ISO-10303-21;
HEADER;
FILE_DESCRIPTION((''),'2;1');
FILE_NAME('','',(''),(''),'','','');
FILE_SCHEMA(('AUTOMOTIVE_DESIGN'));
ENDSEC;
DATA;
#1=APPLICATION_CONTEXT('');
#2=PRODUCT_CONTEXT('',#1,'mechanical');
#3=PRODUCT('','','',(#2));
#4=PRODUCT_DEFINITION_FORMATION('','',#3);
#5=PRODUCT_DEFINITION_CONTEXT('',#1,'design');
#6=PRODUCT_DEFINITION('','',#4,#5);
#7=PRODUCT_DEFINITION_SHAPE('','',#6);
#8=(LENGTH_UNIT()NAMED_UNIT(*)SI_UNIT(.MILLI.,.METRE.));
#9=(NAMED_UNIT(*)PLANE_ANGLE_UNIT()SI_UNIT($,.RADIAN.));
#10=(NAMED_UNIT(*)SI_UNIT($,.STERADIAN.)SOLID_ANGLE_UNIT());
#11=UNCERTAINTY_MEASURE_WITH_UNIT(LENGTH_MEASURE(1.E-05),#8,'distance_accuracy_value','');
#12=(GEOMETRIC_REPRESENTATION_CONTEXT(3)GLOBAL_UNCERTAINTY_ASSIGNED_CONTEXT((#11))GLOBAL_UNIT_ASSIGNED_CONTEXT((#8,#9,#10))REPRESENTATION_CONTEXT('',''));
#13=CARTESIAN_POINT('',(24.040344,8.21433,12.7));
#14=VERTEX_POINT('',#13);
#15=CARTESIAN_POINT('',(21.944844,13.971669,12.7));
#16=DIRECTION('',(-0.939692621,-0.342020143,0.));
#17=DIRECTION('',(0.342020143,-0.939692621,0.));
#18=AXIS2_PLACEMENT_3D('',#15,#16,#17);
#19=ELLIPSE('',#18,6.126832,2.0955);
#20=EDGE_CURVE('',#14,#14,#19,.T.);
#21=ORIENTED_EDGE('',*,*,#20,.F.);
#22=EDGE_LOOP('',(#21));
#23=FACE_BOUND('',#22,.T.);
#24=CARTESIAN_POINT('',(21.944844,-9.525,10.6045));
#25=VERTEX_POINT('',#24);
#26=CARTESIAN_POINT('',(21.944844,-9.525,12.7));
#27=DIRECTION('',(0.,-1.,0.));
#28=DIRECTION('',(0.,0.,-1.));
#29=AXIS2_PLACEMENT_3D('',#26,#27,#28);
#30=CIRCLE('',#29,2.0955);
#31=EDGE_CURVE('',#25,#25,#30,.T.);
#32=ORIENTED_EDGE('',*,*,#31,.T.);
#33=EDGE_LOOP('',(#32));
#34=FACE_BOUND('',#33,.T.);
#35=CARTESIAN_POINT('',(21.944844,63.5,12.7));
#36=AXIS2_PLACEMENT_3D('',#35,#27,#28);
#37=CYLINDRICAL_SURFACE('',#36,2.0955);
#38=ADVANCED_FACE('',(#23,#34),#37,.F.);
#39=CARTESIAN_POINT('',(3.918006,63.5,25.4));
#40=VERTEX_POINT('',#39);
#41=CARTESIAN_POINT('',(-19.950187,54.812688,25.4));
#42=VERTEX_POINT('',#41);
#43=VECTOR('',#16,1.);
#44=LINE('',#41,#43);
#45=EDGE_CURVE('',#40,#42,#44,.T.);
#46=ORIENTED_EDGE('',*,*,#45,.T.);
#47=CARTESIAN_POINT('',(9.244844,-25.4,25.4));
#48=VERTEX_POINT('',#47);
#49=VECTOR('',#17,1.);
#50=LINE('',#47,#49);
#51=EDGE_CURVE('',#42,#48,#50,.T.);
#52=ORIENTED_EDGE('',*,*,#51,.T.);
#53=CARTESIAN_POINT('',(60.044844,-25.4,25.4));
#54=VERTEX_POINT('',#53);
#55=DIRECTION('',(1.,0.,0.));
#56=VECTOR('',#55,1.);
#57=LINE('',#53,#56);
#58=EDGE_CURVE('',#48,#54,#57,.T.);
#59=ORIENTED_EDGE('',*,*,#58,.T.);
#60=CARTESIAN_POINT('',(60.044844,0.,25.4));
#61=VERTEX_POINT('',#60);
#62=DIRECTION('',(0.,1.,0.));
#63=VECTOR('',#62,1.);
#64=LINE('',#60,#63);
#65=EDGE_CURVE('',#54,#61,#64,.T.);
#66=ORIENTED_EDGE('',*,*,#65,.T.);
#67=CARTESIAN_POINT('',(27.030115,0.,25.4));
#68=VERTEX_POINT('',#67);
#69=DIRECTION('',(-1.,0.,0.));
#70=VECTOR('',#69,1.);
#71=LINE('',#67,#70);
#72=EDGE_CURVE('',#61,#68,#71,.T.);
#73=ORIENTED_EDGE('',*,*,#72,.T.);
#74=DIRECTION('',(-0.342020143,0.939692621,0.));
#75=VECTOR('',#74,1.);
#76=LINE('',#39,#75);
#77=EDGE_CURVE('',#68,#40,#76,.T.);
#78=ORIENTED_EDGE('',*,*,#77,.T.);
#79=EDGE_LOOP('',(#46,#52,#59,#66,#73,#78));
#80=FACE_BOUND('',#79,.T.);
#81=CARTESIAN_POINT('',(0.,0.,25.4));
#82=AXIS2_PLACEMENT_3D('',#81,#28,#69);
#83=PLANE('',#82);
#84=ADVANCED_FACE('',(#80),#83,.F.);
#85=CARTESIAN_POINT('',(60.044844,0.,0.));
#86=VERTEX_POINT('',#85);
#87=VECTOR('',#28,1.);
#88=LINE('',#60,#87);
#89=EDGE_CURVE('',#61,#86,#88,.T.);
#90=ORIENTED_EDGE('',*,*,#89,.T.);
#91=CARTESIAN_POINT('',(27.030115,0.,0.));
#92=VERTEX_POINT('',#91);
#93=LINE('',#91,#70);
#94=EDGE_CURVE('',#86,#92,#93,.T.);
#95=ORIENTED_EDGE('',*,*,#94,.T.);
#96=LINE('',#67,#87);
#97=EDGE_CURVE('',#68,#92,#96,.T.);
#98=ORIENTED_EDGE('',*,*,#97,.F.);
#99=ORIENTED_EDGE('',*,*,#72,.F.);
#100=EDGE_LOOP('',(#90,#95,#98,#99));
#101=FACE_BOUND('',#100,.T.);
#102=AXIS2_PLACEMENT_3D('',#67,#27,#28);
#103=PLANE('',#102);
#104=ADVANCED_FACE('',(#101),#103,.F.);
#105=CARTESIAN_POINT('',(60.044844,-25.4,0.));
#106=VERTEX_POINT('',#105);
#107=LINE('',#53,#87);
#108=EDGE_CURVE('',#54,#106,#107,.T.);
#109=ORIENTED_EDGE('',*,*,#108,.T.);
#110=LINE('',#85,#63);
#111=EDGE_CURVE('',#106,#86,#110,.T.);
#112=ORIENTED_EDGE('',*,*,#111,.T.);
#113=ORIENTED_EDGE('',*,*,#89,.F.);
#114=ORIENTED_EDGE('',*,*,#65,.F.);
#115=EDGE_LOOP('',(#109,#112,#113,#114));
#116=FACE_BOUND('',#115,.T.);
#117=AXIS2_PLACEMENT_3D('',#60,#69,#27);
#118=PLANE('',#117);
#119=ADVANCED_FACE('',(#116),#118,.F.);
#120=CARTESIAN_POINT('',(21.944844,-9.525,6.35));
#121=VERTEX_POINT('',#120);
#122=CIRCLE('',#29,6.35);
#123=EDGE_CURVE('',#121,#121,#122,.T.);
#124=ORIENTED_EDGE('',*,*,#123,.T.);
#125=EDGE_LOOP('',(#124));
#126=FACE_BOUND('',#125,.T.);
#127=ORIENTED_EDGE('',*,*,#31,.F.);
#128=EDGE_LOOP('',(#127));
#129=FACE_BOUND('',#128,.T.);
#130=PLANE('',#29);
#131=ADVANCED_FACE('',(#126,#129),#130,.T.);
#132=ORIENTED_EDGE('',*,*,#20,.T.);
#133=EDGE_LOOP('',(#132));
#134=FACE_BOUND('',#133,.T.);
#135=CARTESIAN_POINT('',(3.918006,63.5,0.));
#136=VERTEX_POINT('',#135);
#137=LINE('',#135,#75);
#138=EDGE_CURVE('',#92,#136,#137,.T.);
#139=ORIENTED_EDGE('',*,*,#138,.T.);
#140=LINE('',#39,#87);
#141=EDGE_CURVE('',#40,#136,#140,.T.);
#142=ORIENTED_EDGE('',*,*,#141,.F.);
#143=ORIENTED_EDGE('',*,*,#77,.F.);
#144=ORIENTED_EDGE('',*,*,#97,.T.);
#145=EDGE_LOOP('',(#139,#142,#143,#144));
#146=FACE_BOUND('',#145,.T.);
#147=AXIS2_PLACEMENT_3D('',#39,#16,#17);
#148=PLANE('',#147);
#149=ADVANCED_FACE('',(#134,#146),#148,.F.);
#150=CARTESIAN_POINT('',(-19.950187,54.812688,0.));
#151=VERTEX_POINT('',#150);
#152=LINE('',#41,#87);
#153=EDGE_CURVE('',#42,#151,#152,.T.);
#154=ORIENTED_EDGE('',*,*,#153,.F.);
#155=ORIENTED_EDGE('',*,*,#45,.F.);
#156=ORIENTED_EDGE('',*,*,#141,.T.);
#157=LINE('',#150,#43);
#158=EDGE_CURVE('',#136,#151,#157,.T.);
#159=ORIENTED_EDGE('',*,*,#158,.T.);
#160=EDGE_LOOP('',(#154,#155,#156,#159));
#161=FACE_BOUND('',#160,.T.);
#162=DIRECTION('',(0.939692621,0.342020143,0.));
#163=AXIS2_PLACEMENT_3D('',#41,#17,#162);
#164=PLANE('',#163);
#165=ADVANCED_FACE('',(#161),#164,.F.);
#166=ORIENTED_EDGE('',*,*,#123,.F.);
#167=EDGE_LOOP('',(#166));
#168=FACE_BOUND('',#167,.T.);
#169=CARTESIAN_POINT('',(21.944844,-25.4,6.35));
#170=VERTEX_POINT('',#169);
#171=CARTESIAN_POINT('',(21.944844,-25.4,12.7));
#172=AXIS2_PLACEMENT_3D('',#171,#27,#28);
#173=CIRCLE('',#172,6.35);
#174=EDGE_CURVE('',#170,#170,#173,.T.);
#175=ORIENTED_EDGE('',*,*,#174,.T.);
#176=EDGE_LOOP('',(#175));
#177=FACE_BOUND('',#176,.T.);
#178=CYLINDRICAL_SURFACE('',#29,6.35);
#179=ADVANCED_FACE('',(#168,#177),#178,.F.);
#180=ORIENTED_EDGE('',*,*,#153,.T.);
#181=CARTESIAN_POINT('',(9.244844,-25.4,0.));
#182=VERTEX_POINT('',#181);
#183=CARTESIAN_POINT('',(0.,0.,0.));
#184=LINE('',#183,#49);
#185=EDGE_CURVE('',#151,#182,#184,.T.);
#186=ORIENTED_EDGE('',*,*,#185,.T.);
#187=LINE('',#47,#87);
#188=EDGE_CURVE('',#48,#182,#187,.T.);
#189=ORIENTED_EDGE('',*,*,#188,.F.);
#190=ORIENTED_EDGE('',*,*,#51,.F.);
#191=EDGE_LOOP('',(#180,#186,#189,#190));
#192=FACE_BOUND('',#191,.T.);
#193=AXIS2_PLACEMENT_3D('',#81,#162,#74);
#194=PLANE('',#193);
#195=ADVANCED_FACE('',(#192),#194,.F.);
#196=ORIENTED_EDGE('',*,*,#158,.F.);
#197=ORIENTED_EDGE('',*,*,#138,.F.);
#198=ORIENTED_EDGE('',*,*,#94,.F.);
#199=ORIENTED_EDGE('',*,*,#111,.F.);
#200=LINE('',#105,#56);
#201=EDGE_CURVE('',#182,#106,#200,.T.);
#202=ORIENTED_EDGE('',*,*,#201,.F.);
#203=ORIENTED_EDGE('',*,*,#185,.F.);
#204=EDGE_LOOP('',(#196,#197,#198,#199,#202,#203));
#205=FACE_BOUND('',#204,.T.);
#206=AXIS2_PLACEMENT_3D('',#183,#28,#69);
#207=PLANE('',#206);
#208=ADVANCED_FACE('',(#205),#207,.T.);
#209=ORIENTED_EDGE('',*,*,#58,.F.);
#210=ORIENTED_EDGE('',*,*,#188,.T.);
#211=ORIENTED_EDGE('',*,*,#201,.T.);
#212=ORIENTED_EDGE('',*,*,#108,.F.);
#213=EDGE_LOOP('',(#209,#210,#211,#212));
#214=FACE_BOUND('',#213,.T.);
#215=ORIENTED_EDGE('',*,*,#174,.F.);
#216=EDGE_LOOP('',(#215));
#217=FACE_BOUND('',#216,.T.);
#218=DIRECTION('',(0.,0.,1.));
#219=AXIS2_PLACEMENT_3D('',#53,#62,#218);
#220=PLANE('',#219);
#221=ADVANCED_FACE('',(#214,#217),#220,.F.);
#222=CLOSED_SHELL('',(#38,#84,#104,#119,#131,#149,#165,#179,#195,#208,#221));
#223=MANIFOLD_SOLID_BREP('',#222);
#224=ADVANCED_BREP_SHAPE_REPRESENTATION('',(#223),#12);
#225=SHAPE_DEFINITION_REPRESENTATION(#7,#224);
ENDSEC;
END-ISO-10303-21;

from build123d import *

# Parameters (mm, degrees)
BOSS_EXTRUDE1_DEPTH = 25.4
SKETCH3_R           = 6.35
CUT_EXTRUDE1_DEPTH  = 15.875
SKETCH4_R           = 2.0955
CUT_EXTRUDE2_DEPTH  = 98.893788925


with BuildPart() as part:
    # Sketch1 → Boss-Extrude1 (new body)
    with BuildSketch(Plane.XY):
        Polygon((0, 0), (-19.950187023, 54.81268836), (3.918005545, 63.5), (27.030115421, 0), (60.04484395, 0), (60.04484395, -25.4), (9.24484395, -25.4), align=None)
    extrude(amount=BOSS_EXTRUDE1_DEPTH)

    # Sketch3 → Cut-Extrude1 (cut)
    with BuildSketch(Plane.XZ.offset(25.4)):
        with Locations(Location((21.94484395, 12.7, 0), (0, 0, 270))):
            Circle(SKETCH3_R)
    extrude(amount=-CUT_EXTRUDE1_DEPTH, mode=Mode.SUBTRACT)

    # Sketch4 → Cut-Extrude2 (cut, through all)
    with BuildSketch(Plane.XZ.offset(9.525)):
        with Locations(Location((21.94484395, 12.7, 0), (0, 0, 270))):
            Circle(SKETCH4_R)
    extrude(amount=-CUT_EXTRUDE2_DEPTH, mode=Mode.SUBTRACT)


solid = part.part
